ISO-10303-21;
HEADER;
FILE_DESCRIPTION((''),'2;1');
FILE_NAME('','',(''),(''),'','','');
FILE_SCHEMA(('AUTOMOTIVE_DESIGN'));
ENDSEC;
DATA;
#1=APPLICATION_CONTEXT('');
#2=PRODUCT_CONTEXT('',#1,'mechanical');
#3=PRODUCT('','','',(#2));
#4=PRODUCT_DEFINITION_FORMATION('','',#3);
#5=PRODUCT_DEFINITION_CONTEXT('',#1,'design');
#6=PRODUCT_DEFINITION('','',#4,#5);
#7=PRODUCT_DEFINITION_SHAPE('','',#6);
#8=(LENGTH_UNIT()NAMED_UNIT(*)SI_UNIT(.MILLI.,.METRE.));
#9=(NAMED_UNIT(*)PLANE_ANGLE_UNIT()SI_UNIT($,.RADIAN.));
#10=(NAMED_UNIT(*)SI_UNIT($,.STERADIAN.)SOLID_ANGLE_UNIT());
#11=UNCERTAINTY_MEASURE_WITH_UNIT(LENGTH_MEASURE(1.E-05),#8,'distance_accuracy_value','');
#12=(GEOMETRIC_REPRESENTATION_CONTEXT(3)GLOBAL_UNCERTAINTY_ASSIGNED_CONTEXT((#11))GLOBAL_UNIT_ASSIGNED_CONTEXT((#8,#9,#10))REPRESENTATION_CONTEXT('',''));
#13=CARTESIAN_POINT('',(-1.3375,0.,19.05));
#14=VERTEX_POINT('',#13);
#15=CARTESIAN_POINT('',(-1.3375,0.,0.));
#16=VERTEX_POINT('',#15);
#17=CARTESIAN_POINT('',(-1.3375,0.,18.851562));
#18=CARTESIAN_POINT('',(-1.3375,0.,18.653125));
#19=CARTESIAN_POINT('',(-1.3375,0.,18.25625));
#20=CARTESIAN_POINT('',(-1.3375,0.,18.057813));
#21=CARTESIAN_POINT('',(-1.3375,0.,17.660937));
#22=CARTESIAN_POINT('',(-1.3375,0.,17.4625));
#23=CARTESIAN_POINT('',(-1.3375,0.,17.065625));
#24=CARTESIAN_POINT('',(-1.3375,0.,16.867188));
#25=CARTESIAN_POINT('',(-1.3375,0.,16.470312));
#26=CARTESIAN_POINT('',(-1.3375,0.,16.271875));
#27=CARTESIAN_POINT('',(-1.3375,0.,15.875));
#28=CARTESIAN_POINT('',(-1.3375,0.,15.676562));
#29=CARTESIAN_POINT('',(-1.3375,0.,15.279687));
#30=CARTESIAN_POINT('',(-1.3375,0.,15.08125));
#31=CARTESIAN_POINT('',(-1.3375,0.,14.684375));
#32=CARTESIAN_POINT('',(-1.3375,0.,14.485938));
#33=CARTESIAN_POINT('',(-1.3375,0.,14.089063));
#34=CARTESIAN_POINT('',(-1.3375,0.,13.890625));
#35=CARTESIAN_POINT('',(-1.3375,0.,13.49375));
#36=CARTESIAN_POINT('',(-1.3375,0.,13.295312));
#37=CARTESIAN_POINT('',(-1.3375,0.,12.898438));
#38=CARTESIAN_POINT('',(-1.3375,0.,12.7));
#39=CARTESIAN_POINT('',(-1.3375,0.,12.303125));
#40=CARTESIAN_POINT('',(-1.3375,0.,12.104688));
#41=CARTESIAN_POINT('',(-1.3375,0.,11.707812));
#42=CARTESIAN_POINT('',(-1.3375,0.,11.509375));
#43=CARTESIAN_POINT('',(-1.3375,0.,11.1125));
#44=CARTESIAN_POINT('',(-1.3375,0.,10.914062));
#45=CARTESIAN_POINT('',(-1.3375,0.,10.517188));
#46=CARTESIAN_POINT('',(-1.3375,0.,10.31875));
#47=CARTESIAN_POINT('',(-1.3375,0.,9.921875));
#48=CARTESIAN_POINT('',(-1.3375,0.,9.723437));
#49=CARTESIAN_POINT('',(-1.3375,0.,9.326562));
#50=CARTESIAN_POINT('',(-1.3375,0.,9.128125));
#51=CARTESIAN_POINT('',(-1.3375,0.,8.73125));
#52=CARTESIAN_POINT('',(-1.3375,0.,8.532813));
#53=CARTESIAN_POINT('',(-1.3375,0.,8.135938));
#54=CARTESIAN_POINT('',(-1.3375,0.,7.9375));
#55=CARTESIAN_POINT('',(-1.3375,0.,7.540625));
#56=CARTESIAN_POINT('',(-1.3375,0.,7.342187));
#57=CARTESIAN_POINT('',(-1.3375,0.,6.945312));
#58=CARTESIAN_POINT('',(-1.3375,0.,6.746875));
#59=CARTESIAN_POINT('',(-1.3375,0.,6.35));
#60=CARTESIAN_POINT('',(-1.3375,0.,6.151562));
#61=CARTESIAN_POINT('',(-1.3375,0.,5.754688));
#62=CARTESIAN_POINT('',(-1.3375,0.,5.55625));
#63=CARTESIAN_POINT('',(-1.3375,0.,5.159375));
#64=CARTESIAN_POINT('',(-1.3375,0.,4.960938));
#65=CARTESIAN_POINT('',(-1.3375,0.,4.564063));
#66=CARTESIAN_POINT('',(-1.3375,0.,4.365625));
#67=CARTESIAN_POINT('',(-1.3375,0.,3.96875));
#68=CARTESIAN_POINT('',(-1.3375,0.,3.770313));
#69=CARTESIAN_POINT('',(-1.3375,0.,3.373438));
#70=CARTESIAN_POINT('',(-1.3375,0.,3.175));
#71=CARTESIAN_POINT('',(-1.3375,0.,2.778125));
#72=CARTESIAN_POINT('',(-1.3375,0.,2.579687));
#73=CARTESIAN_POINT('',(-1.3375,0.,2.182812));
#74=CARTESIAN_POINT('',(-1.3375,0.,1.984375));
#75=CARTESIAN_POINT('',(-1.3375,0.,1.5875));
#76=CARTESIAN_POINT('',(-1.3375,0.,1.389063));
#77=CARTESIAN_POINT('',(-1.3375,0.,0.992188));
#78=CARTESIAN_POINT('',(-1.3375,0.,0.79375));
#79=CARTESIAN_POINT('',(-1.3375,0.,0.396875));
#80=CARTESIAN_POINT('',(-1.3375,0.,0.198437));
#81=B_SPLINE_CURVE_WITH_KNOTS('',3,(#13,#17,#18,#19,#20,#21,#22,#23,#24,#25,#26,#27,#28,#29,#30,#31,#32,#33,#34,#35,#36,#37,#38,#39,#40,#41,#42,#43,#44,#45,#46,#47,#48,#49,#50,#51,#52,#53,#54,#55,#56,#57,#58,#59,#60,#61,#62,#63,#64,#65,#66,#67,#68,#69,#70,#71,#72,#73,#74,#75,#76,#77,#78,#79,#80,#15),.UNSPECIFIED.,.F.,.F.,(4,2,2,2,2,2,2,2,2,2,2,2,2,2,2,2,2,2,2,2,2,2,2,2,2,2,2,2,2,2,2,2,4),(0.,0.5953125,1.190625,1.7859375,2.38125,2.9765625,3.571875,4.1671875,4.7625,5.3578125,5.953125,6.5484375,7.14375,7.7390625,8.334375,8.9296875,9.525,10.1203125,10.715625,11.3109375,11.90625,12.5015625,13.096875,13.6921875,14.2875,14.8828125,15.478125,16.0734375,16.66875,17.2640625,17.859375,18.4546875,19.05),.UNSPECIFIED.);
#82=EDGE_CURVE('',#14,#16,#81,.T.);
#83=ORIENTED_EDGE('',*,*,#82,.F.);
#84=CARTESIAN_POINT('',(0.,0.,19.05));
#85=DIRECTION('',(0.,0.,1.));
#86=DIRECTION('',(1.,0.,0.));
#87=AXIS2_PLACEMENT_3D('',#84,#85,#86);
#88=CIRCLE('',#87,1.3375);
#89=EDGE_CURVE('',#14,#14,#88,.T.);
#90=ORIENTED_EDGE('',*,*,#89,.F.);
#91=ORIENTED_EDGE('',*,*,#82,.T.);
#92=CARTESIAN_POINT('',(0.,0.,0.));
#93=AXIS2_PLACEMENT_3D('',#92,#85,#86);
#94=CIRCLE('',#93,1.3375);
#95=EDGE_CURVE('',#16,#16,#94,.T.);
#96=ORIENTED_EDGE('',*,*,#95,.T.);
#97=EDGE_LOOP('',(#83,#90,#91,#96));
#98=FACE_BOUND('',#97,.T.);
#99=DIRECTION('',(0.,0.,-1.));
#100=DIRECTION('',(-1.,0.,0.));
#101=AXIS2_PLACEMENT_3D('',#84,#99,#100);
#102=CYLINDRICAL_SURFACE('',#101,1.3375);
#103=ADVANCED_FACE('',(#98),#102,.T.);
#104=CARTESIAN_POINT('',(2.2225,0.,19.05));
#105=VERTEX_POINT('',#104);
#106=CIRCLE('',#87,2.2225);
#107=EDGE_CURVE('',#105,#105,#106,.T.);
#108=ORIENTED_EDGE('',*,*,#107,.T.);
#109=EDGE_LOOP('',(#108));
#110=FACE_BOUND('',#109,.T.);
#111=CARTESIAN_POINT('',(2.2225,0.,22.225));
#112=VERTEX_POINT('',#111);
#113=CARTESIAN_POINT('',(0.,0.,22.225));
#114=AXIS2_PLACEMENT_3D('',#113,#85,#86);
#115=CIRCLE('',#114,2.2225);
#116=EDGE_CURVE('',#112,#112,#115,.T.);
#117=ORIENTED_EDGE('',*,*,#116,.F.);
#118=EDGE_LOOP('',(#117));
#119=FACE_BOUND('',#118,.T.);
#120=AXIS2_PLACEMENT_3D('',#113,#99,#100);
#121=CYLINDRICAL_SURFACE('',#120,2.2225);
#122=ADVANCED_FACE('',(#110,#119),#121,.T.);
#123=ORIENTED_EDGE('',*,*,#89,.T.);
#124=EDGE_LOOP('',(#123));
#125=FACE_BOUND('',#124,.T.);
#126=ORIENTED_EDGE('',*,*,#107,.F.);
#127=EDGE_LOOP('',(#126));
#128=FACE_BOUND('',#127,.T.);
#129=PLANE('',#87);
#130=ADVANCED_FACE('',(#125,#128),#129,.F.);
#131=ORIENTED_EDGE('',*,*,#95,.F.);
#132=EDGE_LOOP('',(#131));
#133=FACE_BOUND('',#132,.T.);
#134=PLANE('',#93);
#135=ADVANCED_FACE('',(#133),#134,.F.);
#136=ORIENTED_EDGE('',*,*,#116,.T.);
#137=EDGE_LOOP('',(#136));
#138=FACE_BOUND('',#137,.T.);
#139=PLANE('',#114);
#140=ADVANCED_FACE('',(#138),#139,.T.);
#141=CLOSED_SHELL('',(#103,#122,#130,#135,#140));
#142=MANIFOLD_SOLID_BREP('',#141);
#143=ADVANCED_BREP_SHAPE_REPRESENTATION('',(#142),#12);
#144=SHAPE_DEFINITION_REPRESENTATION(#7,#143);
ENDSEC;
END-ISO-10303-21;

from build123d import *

# Parameters (mm, degrees)
SKETCH1_R           = 1.5875
BOSS_EXTRUDE1_DEPTH = 19.05
SKETCH2_R           = 2.2225
BOSS_EXTRUDE2_DEPTH = 3.175
MOVE_FACE1_BY       = 0.250000008


with BuildPart() as part:
    # Sketch1 → Boss-Extrude1 (new body)
    with BuildSketch(Plane.XY):
        with Locations(Location((0, 0, 0), (0, 0, 180))):
            Circle(SKETCH1_R)
    extrude(amount=BOSS_EXTRUDE1_DEPTH)

    # Sketch2 → Boss-Extrude2 (add)
    with BuildSketch(Plane.XY.offset(19.05)):
        Circle(SKETCH2_R)
    extrude(amount=BOSS_EXTRUDE2_DEPTH)

    # Move Face1: a curved face moved inward by 0.25
    add(Solid.thicken(part.faces().sort_by_distance((1.5875, 0, 9.525))[0], -MOVE_FACE1_BY), mode=Mode.SUBTRACT)


solid = part.part
